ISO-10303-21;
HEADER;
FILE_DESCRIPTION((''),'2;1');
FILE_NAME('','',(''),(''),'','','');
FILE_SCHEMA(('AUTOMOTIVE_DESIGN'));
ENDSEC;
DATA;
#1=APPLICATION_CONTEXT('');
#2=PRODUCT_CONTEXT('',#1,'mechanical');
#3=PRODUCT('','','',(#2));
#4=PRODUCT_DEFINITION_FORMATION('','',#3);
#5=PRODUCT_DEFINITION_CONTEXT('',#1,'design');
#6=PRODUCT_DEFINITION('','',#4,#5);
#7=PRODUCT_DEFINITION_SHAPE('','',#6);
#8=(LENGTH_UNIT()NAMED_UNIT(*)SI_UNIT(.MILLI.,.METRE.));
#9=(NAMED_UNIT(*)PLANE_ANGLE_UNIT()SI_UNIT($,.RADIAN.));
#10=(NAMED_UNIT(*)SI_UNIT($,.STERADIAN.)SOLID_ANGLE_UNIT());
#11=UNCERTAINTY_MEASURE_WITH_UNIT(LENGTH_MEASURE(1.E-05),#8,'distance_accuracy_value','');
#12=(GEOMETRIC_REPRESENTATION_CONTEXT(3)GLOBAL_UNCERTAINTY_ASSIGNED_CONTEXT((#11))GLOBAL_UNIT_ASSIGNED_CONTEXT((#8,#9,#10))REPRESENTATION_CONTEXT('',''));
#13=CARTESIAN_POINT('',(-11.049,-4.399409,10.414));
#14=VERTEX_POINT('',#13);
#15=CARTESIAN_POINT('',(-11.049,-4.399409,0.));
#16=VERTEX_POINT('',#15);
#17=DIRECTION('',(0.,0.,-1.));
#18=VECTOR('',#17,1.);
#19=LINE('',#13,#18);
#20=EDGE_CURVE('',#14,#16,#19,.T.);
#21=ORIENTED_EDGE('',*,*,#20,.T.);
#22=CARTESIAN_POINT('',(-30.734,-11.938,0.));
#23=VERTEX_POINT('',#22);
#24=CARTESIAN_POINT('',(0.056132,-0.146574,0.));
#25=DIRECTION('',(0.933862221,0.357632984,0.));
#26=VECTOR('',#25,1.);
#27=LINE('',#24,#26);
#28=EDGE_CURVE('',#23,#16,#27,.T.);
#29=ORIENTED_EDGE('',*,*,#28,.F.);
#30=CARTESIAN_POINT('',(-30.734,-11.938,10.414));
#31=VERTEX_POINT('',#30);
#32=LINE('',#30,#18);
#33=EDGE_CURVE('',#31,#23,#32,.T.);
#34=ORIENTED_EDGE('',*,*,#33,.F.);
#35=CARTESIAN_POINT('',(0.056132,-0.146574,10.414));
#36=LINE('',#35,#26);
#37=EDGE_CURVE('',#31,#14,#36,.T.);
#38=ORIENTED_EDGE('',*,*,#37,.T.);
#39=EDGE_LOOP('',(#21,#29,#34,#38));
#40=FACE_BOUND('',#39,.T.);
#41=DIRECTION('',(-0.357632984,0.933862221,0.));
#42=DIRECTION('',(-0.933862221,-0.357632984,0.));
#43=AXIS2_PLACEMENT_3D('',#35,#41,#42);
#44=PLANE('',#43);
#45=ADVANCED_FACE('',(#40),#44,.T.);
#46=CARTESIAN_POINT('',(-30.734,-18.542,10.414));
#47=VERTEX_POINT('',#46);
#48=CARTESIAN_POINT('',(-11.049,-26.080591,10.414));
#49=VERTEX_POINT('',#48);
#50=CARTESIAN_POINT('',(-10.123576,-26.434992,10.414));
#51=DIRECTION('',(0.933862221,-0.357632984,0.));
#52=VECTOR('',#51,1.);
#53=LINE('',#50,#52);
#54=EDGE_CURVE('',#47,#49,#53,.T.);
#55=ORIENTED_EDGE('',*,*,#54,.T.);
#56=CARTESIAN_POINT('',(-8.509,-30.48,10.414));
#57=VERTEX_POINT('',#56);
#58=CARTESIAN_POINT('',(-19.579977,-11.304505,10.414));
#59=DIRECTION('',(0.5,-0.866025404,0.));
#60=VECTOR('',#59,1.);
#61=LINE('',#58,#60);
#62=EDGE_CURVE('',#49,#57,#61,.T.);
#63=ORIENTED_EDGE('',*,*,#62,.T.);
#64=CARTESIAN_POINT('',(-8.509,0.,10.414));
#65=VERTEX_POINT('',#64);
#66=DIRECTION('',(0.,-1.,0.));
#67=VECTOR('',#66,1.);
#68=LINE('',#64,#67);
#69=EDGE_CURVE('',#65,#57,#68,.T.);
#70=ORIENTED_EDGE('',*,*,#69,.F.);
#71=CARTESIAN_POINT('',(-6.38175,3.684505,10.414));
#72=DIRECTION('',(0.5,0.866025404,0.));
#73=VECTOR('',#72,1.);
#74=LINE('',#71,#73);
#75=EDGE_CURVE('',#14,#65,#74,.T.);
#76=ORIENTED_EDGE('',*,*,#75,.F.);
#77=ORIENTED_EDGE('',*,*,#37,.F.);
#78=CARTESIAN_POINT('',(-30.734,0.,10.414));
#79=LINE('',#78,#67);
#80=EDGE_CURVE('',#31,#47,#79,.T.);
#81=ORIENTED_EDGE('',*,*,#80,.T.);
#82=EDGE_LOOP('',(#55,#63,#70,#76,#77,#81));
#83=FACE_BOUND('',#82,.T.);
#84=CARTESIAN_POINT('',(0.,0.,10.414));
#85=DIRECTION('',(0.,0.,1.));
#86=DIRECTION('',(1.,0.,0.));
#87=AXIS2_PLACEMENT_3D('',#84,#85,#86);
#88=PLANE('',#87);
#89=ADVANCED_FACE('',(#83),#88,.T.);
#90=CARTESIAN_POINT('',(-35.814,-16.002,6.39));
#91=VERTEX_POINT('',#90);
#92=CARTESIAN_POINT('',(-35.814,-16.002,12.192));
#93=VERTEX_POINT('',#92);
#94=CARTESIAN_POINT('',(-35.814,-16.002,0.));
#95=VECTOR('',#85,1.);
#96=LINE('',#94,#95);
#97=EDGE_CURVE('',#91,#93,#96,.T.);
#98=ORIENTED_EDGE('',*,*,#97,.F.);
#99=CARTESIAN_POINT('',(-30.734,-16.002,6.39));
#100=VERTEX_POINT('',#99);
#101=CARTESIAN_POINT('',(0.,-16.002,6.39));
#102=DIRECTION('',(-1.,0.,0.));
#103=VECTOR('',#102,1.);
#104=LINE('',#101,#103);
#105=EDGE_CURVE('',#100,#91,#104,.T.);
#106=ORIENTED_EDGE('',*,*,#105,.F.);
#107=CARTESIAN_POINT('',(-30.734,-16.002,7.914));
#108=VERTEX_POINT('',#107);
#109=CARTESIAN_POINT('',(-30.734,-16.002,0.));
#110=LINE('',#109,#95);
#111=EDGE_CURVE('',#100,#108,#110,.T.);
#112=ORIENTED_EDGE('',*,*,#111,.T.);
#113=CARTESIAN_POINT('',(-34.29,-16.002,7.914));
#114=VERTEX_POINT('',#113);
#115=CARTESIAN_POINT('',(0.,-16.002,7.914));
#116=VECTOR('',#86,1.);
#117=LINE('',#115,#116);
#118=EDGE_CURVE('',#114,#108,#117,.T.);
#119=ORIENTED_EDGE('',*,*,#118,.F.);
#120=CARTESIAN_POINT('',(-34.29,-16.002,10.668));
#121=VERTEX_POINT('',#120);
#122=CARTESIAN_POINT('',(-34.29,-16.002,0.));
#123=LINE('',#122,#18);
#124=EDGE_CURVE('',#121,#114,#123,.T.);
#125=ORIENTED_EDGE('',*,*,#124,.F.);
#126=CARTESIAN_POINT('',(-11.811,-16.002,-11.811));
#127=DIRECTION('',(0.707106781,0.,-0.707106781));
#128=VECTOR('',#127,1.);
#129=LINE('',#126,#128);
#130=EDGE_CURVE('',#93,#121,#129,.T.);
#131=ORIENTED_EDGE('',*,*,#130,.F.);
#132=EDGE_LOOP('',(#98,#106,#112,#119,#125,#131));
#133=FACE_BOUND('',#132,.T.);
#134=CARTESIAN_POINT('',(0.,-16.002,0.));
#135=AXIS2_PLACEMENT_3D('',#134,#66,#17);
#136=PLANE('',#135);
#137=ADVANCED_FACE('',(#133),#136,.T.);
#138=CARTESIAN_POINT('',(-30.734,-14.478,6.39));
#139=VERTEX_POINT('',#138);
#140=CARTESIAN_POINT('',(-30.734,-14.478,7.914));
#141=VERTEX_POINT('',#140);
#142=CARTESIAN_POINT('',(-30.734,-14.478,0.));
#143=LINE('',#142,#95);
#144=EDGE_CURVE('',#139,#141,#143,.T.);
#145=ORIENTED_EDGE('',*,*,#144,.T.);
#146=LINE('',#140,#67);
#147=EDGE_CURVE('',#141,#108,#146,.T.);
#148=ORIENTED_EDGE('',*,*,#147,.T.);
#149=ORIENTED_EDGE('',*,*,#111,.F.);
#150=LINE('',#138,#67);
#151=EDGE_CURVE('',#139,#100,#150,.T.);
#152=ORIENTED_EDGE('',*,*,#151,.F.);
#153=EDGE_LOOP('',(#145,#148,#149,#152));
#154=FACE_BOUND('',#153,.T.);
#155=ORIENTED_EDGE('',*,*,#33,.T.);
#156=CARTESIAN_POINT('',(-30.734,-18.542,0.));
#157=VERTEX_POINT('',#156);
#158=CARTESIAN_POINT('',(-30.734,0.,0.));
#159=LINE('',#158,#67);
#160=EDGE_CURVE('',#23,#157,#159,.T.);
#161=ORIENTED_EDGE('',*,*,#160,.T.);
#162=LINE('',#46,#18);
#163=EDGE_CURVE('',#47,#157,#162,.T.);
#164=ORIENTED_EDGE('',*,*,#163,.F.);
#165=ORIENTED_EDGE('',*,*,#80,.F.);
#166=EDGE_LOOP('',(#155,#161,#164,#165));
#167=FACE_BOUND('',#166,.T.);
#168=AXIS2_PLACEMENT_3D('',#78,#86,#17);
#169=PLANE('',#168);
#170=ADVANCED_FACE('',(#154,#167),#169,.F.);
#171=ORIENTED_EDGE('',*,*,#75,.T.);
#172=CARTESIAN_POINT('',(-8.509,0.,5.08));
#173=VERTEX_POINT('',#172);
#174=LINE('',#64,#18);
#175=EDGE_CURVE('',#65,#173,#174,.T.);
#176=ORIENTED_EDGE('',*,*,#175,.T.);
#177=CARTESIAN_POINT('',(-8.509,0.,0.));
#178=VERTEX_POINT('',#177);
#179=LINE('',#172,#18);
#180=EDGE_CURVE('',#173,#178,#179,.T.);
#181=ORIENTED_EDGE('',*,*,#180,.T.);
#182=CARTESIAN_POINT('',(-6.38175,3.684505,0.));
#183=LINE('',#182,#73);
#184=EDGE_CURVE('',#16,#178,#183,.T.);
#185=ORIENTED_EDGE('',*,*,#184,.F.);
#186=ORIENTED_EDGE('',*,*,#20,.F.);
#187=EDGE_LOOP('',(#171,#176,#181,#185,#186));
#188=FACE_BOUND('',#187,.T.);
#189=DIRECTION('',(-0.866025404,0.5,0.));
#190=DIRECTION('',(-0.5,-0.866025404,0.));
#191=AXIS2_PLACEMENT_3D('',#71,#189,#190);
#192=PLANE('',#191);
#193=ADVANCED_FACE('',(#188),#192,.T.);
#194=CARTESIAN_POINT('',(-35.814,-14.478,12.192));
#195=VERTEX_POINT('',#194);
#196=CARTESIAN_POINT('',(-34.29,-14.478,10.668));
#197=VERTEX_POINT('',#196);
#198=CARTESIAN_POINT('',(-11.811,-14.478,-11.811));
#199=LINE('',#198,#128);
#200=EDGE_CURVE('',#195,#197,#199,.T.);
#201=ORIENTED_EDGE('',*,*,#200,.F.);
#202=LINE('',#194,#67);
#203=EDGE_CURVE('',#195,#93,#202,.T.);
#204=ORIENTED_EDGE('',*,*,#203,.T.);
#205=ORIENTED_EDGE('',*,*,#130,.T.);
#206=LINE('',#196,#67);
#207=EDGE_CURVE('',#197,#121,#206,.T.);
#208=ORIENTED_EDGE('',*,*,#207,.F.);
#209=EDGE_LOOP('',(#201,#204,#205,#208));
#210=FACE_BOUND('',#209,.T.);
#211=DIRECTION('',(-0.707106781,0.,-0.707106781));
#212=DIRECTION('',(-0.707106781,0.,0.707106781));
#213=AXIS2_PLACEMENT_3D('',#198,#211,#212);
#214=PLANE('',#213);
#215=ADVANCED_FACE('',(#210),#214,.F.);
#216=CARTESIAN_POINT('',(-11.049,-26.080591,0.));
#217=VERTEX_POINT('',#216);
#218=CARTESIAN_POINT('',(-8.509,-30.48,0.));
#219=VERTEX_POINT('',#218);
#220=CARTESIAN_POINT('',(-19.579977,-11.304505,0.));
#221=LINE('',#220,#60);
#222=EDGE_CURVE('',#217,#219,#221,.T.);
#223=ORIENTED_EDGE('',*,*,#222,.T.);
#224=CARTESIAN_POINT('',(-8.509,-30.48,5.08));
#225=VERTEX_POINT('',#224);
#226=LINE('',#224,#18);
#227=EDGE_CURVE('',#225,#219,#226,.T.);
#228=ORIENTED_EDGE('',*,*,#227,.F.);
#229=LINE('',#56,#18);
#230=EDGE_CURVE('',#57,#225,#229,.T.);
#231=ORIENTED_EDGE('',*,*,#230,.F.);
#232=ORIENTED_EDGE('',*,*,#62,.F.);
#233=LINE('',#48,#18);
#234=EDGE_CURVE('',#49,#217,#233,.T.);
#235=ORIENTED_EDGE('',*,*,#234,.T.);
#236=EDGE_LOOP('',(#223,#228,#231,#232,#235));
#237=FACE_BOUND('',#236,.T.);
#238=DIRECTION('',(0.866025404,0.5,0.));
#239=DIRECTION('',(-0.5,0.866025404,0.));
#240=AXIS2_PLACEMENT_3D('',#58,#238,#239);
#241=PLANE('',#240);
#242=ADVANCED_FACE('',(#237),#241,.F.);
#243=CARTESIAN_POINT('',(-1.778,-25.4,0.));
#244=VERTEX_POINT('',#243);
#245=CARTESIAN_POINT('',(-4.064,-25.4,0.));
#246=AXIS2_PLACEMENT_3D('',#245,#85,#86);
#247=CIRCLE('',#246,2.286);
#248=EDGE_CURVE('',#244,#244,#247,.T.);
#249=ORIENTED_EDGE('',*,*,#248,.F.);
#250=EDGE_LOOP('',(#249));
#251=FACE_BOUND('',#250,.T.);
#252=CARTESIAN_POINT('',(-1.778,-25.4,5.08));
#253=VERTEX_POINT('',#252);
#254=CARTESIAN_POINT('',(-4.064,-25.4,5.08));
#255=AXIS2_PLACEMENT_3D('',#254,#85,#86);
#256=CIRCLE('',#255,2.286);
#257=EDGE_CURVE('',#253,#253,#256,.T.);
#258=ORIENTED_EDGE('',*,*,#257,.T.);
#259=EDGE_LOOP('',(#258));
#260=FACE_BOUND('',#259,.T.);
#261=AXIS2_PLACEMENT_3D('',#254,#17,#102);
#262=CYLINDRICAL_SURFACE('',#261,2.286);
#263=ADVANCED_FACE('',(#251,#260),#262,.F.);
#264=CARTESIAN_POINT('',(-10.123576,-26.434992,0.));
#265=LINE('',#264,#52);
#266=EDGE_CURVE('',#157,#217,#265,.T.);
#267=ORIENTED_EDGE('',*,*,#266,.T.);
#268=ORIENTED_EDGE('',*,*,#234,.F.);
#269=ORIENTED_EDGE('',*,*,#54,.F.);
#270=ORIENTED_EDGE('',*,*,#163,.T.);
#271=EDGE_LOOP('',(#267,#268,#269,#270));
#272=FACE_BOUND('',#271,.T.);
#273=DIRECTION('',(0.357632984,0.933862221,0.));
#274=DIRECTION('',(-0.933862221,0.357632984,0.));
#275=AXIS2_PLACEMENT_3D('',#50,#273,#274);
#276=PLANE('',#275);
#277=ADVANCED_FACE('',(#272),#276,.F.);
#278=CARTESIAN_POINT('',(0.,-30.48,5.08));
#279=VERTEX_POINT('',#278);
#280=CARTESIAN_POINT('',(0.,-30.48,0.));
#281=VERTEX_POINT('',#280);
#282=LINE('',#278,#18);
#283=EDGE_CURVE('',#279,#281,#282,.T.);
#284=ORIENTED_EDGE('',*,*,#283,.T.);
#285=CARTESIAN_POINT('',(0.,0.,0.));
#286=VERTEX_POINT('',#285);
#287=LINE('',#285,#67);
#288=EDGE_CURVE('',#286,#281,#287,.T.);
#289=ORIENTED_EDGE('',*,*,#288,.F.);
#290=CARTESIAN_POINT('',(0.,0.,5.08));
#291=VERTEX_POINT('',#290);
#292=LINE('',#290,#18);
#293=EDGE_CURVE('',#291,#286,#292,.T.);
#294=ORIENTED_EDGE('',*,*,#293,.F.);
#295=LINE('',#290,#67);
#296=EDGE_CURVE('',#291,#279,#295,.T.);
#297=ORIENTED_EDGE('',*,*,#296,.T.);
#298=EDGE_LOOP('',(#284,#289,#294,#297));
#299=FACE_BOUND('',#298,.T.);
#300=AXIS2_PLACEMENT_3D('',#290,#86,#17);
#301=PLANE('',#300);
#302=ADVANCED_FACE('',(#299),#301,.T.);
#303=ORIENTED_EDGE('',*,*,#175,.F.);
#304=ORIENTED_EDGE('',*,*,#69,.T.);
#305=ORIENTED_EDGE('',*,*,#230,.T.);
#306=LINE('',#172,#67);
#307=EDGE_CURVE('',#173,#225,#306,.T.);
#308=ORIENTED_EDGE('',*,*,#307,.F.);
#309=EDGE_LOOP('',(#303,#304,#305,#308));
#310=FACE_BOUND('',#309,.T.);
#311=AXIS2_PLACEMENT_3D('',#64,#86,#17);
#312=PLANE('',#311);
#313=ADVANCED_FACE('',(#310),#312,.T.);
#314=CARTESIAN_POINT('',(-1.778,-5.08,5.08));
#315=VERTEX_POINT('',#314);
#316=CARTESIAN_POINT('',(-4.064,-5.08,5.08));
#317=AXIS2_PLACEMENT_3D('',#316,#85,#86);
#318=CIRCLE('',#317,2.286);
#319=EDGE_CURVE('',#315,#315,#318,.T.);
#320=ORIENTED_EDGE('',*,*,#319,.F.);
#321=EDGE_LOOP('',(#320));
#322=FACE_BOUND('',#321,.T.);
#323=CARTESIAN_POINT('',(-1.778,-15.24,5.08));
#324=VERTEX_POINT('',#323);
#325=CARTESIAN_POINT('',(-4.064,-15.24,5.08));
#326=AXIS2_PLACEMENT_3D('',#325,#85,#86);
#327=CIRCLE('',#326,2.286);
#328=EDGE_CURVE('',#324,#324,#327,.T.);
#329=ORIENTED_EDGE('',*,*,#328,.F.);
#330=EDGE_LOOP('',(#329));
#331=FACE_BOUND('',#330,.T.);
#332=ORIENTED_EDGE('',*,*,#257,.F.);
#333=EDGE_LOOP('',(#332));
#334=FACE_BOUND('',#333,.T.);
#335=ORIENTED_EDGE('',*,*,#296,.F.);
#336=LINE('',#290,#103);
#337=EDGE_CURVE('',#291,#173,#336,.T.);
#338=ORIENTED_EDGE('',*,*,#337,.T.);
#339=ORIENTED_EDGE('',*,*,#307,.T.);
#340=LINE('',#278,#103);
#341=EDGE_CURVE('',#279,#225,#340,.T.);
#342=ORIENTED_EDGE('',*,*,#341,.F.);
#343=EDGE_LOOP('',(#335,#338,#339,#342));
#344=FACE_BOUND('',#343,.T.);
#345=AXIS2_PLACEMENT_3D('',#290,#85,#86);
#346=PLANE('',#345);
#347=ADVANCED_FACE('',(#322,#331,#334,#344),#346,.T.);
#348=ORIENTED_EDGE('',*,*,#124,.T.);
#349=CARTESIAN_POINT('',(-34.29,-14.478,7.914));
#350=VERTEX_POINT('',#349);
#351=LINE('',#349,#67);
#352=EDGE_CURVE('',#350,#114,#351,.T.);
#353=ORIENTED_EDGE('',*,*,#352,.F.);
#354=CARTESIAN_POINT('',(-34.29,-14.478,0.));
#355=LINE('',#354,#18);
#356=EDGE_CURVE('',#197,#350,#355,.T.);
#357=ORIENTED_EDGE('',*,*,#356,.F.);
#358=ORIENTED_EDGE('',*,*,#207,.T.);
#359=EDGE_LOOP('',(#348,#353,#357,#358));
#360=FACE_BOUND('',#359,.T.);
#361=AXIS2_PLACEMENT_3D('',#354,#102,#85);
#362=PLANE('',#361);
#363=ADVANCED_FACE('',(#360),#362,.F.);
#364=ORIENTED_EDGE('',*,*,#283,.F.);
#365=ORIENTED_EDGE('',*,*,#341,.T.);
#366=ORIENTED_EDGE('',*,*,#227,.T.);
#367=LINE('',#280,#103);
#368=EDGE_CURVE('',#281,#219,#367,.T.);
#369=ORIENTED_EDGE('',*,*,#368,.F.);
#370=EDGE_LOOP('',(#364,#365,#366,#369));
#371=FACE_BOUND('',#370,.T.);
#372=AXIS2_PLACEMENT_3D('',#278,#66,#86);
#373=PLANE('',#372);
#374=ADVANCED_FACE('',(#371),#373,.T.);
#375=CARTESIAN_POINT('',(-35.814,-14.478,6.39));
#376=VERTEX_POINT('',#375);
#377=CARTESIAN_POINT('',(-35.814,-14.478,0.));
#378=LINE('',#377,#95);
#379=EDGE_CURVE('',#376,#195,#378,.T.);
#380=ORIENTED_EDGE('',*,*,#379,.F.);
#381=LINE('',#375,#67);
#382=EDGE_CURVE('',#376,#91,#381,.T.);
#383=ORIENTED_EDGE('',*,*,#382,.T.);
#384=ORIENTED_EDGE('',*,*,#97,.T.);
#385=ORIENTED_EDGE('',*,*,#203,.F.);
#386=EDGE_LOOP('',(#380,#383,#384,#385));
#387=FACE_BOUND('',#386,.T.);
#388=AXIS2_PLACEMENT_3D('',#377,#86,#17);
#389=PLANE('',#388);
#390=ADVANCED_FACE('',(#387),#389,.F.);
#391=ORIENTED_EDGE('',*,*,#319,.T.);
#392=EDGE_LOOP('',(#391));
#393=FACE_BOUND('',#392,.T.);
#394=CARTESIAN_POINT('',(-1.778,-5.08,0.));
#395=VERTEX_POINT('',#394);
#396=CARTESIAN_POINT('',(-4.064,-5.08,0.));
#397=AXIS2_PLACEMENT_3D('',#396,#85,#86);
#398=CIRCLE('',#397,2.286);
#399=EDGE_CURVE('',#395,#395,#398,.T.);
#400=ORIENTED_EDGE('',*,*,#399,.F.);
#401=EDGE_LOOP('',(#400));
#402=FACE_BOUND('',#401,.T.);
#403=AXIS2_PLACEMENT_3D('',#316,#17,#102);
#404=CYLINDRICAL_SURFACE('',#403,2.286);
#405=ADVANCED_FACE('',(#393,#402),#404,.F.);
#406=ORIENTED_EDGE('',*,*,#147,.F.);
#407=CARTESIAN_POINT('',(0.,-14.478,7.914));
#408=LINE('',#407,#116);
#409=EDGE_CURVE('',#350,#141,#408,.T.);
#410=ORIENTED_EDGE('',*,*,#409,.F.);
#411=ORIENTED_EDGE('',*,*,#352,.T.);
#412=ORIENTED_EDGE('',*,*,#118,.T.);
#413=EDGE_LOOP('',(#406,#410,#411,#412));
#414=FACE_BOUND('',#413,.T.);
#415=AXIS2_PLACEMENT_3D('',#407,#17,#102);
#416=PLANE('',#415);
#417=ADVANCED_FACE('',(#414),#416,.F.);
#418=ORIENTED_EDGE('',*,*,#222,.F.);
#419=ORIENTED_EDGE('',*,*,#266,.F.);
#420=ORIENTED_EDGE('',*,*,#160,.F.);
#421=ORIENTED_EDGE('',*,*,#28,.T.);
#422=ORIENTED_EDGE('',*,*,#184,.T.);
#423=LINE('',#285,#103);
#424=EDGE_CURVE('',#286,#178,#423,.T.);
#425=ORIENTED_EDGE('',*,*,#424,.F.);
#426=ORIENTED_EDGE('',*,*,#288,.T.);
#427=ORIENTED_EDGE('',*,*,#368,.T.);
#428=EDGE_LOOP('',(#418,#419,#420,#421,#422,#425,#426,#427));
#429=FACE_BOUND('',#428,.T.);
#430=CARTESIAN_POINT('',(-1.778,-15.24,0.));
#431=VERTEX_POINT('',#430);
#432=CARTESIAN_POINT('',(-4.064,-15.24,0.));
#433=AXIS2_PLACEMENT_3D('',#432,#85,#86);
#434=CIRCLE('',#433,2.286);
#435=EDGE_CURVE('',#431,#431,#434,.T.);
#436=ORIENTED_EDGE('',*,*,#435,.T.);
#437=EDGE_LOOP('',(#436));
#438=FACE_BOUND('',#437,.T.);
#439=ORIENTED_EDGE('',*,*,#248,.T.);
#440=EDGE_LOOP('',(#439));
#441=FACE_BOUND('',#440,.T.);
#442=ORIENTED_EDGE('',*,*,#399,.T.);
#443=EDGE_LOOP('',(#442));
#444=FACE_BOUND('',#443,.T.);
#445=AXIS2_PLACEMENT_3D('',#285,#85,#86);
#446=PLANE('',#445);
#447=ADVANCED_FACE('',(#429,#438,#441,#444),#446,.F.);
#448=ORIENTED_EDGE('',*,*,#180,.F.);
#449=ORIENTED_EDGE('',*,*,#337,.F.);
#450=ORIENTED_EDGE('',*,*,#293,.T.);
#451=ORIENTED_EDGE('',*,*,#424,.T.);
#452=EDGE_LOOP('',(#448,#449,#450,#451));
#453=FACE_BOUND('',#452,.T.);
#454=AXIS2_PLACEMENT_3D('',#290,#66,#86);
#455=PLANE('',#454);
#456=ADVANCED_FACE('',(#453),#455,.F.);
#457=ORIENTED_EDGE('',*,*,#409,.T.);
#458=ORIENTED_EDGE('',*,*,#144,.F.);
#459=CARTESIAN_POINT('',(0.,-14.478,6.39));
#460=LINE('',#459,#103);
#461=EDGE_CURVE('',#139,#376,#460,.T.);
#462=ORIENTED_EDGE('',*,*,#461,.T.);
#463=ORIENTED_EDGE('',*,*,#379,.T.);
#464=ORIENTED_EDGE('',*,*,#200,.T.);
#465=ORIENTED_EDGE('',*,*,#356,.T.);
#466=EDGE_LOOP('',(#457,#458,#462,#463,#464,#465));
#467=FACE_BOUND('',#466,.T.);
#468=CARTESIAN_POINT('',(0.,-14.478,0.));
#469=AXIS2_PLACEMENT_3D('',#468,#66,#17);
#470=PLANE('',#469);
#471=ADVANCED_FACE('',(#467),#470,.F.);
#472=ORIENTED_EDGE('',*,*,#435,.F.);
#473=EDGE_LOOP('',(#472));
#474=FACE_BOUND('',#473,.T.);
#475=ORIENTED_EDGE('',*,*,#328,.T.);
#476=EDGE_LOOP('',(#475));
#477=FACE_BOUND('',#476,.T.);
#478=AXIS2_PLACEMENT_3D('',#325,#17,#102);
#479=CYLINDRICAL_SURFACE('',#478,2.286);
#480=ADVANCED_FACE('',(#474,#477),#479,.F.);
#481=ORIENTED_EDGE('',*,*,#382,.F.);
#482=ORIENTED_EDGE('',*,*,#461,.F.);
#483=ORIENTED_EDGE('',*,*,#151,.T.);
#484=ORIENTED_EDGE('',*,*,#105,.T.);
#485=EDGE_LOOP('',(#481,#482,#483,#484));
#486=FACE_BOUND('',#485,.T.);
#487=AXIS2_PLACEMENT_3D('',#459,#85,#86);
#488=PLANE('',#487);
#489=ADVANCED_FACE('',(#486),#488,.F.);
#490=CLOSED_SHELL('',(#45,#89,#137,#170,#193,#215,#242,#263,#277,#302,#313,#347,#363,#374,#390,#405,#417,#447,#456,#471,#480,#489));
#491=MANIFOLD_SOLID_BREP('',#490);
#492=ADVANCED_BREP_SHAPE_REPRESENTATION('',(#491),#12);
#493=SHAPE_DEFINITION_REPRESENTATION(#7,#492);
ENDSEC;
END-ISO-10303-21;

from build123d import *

# Parameters (mm, degrees)
SKETCH1_W                = 8.509
SKETCH1_H                = 30.48
SKETCH1_R                = 2.286
BOSS_EXTRUDE1_DEPTH      = 5.08
BOSS_EXTRUDE2_DEPTH      = 10.414
BOSS_EXTRUDE3_DEPTH      = 0.762
BOSS_EXTRUDE3_DEPTH_BACK = 0.762


with BuildPart() as part:
    # Sketch1 → Boss-Extrude1 (new body)
    with BuildSketch(Plane.XY):
        with Locations((-4.2545, -15.24)):
            Rectangle(SKETCH1_W, SKETCH1_H)
        with Locations((-4.064, -25.4)):
            Circle(SKETCH1_R, mode=Mode.SUBTRACT)
        with Locations((-4.064, -15.24)):
            Circle(SKETCH1_R, mode=Mode.SUBTRACT)
        with Locations((-4.064, -5.08)):
            Circle(SKETCH1_R, mode=Mode.SUBTRACT)
    extrude(amount=BOSS_EXTRUDE1_DEPTH)

    # Sketch1<3> → Boss-Extrude2 (add)
    with BuildSketch(Plane.XY):
        Polygon((-8.509, -30.48), (-8.509, 0), (-11.049, -4.399409051), (-30.734, -11.938), (-30.734, -15.015), (-30.734, -15.465), (-30.734, -18.542), (-11.049, -26.080590949), align=None)
    extrude(amount=BOSS_EXTRUDE2_DEPTH)

    # Sketch2 → Boss-Extrude3 (add, two sides: drawn at the far end of the back side and taken through both)
    with BuildSketch(Plane(origin=(0, -15.24, 0), x_dir=(-1, 0, 0), z_dir=(0, -1, 0)).offset(-BOSS_EXTRUDE3_DEPTH_BACK)):
        Polygon((35.814, -6.39), (30.734, -6.39), (30.734, -7.914), (34.29, -7.914), (34.29, -10.668), (35.814, -12.192), align=None)
    extrude(amount=BOSS_EXTRUDE3_DEPTH + BOSS_EXTRUDE3_DEPTH_BACK)


solid = part.part
